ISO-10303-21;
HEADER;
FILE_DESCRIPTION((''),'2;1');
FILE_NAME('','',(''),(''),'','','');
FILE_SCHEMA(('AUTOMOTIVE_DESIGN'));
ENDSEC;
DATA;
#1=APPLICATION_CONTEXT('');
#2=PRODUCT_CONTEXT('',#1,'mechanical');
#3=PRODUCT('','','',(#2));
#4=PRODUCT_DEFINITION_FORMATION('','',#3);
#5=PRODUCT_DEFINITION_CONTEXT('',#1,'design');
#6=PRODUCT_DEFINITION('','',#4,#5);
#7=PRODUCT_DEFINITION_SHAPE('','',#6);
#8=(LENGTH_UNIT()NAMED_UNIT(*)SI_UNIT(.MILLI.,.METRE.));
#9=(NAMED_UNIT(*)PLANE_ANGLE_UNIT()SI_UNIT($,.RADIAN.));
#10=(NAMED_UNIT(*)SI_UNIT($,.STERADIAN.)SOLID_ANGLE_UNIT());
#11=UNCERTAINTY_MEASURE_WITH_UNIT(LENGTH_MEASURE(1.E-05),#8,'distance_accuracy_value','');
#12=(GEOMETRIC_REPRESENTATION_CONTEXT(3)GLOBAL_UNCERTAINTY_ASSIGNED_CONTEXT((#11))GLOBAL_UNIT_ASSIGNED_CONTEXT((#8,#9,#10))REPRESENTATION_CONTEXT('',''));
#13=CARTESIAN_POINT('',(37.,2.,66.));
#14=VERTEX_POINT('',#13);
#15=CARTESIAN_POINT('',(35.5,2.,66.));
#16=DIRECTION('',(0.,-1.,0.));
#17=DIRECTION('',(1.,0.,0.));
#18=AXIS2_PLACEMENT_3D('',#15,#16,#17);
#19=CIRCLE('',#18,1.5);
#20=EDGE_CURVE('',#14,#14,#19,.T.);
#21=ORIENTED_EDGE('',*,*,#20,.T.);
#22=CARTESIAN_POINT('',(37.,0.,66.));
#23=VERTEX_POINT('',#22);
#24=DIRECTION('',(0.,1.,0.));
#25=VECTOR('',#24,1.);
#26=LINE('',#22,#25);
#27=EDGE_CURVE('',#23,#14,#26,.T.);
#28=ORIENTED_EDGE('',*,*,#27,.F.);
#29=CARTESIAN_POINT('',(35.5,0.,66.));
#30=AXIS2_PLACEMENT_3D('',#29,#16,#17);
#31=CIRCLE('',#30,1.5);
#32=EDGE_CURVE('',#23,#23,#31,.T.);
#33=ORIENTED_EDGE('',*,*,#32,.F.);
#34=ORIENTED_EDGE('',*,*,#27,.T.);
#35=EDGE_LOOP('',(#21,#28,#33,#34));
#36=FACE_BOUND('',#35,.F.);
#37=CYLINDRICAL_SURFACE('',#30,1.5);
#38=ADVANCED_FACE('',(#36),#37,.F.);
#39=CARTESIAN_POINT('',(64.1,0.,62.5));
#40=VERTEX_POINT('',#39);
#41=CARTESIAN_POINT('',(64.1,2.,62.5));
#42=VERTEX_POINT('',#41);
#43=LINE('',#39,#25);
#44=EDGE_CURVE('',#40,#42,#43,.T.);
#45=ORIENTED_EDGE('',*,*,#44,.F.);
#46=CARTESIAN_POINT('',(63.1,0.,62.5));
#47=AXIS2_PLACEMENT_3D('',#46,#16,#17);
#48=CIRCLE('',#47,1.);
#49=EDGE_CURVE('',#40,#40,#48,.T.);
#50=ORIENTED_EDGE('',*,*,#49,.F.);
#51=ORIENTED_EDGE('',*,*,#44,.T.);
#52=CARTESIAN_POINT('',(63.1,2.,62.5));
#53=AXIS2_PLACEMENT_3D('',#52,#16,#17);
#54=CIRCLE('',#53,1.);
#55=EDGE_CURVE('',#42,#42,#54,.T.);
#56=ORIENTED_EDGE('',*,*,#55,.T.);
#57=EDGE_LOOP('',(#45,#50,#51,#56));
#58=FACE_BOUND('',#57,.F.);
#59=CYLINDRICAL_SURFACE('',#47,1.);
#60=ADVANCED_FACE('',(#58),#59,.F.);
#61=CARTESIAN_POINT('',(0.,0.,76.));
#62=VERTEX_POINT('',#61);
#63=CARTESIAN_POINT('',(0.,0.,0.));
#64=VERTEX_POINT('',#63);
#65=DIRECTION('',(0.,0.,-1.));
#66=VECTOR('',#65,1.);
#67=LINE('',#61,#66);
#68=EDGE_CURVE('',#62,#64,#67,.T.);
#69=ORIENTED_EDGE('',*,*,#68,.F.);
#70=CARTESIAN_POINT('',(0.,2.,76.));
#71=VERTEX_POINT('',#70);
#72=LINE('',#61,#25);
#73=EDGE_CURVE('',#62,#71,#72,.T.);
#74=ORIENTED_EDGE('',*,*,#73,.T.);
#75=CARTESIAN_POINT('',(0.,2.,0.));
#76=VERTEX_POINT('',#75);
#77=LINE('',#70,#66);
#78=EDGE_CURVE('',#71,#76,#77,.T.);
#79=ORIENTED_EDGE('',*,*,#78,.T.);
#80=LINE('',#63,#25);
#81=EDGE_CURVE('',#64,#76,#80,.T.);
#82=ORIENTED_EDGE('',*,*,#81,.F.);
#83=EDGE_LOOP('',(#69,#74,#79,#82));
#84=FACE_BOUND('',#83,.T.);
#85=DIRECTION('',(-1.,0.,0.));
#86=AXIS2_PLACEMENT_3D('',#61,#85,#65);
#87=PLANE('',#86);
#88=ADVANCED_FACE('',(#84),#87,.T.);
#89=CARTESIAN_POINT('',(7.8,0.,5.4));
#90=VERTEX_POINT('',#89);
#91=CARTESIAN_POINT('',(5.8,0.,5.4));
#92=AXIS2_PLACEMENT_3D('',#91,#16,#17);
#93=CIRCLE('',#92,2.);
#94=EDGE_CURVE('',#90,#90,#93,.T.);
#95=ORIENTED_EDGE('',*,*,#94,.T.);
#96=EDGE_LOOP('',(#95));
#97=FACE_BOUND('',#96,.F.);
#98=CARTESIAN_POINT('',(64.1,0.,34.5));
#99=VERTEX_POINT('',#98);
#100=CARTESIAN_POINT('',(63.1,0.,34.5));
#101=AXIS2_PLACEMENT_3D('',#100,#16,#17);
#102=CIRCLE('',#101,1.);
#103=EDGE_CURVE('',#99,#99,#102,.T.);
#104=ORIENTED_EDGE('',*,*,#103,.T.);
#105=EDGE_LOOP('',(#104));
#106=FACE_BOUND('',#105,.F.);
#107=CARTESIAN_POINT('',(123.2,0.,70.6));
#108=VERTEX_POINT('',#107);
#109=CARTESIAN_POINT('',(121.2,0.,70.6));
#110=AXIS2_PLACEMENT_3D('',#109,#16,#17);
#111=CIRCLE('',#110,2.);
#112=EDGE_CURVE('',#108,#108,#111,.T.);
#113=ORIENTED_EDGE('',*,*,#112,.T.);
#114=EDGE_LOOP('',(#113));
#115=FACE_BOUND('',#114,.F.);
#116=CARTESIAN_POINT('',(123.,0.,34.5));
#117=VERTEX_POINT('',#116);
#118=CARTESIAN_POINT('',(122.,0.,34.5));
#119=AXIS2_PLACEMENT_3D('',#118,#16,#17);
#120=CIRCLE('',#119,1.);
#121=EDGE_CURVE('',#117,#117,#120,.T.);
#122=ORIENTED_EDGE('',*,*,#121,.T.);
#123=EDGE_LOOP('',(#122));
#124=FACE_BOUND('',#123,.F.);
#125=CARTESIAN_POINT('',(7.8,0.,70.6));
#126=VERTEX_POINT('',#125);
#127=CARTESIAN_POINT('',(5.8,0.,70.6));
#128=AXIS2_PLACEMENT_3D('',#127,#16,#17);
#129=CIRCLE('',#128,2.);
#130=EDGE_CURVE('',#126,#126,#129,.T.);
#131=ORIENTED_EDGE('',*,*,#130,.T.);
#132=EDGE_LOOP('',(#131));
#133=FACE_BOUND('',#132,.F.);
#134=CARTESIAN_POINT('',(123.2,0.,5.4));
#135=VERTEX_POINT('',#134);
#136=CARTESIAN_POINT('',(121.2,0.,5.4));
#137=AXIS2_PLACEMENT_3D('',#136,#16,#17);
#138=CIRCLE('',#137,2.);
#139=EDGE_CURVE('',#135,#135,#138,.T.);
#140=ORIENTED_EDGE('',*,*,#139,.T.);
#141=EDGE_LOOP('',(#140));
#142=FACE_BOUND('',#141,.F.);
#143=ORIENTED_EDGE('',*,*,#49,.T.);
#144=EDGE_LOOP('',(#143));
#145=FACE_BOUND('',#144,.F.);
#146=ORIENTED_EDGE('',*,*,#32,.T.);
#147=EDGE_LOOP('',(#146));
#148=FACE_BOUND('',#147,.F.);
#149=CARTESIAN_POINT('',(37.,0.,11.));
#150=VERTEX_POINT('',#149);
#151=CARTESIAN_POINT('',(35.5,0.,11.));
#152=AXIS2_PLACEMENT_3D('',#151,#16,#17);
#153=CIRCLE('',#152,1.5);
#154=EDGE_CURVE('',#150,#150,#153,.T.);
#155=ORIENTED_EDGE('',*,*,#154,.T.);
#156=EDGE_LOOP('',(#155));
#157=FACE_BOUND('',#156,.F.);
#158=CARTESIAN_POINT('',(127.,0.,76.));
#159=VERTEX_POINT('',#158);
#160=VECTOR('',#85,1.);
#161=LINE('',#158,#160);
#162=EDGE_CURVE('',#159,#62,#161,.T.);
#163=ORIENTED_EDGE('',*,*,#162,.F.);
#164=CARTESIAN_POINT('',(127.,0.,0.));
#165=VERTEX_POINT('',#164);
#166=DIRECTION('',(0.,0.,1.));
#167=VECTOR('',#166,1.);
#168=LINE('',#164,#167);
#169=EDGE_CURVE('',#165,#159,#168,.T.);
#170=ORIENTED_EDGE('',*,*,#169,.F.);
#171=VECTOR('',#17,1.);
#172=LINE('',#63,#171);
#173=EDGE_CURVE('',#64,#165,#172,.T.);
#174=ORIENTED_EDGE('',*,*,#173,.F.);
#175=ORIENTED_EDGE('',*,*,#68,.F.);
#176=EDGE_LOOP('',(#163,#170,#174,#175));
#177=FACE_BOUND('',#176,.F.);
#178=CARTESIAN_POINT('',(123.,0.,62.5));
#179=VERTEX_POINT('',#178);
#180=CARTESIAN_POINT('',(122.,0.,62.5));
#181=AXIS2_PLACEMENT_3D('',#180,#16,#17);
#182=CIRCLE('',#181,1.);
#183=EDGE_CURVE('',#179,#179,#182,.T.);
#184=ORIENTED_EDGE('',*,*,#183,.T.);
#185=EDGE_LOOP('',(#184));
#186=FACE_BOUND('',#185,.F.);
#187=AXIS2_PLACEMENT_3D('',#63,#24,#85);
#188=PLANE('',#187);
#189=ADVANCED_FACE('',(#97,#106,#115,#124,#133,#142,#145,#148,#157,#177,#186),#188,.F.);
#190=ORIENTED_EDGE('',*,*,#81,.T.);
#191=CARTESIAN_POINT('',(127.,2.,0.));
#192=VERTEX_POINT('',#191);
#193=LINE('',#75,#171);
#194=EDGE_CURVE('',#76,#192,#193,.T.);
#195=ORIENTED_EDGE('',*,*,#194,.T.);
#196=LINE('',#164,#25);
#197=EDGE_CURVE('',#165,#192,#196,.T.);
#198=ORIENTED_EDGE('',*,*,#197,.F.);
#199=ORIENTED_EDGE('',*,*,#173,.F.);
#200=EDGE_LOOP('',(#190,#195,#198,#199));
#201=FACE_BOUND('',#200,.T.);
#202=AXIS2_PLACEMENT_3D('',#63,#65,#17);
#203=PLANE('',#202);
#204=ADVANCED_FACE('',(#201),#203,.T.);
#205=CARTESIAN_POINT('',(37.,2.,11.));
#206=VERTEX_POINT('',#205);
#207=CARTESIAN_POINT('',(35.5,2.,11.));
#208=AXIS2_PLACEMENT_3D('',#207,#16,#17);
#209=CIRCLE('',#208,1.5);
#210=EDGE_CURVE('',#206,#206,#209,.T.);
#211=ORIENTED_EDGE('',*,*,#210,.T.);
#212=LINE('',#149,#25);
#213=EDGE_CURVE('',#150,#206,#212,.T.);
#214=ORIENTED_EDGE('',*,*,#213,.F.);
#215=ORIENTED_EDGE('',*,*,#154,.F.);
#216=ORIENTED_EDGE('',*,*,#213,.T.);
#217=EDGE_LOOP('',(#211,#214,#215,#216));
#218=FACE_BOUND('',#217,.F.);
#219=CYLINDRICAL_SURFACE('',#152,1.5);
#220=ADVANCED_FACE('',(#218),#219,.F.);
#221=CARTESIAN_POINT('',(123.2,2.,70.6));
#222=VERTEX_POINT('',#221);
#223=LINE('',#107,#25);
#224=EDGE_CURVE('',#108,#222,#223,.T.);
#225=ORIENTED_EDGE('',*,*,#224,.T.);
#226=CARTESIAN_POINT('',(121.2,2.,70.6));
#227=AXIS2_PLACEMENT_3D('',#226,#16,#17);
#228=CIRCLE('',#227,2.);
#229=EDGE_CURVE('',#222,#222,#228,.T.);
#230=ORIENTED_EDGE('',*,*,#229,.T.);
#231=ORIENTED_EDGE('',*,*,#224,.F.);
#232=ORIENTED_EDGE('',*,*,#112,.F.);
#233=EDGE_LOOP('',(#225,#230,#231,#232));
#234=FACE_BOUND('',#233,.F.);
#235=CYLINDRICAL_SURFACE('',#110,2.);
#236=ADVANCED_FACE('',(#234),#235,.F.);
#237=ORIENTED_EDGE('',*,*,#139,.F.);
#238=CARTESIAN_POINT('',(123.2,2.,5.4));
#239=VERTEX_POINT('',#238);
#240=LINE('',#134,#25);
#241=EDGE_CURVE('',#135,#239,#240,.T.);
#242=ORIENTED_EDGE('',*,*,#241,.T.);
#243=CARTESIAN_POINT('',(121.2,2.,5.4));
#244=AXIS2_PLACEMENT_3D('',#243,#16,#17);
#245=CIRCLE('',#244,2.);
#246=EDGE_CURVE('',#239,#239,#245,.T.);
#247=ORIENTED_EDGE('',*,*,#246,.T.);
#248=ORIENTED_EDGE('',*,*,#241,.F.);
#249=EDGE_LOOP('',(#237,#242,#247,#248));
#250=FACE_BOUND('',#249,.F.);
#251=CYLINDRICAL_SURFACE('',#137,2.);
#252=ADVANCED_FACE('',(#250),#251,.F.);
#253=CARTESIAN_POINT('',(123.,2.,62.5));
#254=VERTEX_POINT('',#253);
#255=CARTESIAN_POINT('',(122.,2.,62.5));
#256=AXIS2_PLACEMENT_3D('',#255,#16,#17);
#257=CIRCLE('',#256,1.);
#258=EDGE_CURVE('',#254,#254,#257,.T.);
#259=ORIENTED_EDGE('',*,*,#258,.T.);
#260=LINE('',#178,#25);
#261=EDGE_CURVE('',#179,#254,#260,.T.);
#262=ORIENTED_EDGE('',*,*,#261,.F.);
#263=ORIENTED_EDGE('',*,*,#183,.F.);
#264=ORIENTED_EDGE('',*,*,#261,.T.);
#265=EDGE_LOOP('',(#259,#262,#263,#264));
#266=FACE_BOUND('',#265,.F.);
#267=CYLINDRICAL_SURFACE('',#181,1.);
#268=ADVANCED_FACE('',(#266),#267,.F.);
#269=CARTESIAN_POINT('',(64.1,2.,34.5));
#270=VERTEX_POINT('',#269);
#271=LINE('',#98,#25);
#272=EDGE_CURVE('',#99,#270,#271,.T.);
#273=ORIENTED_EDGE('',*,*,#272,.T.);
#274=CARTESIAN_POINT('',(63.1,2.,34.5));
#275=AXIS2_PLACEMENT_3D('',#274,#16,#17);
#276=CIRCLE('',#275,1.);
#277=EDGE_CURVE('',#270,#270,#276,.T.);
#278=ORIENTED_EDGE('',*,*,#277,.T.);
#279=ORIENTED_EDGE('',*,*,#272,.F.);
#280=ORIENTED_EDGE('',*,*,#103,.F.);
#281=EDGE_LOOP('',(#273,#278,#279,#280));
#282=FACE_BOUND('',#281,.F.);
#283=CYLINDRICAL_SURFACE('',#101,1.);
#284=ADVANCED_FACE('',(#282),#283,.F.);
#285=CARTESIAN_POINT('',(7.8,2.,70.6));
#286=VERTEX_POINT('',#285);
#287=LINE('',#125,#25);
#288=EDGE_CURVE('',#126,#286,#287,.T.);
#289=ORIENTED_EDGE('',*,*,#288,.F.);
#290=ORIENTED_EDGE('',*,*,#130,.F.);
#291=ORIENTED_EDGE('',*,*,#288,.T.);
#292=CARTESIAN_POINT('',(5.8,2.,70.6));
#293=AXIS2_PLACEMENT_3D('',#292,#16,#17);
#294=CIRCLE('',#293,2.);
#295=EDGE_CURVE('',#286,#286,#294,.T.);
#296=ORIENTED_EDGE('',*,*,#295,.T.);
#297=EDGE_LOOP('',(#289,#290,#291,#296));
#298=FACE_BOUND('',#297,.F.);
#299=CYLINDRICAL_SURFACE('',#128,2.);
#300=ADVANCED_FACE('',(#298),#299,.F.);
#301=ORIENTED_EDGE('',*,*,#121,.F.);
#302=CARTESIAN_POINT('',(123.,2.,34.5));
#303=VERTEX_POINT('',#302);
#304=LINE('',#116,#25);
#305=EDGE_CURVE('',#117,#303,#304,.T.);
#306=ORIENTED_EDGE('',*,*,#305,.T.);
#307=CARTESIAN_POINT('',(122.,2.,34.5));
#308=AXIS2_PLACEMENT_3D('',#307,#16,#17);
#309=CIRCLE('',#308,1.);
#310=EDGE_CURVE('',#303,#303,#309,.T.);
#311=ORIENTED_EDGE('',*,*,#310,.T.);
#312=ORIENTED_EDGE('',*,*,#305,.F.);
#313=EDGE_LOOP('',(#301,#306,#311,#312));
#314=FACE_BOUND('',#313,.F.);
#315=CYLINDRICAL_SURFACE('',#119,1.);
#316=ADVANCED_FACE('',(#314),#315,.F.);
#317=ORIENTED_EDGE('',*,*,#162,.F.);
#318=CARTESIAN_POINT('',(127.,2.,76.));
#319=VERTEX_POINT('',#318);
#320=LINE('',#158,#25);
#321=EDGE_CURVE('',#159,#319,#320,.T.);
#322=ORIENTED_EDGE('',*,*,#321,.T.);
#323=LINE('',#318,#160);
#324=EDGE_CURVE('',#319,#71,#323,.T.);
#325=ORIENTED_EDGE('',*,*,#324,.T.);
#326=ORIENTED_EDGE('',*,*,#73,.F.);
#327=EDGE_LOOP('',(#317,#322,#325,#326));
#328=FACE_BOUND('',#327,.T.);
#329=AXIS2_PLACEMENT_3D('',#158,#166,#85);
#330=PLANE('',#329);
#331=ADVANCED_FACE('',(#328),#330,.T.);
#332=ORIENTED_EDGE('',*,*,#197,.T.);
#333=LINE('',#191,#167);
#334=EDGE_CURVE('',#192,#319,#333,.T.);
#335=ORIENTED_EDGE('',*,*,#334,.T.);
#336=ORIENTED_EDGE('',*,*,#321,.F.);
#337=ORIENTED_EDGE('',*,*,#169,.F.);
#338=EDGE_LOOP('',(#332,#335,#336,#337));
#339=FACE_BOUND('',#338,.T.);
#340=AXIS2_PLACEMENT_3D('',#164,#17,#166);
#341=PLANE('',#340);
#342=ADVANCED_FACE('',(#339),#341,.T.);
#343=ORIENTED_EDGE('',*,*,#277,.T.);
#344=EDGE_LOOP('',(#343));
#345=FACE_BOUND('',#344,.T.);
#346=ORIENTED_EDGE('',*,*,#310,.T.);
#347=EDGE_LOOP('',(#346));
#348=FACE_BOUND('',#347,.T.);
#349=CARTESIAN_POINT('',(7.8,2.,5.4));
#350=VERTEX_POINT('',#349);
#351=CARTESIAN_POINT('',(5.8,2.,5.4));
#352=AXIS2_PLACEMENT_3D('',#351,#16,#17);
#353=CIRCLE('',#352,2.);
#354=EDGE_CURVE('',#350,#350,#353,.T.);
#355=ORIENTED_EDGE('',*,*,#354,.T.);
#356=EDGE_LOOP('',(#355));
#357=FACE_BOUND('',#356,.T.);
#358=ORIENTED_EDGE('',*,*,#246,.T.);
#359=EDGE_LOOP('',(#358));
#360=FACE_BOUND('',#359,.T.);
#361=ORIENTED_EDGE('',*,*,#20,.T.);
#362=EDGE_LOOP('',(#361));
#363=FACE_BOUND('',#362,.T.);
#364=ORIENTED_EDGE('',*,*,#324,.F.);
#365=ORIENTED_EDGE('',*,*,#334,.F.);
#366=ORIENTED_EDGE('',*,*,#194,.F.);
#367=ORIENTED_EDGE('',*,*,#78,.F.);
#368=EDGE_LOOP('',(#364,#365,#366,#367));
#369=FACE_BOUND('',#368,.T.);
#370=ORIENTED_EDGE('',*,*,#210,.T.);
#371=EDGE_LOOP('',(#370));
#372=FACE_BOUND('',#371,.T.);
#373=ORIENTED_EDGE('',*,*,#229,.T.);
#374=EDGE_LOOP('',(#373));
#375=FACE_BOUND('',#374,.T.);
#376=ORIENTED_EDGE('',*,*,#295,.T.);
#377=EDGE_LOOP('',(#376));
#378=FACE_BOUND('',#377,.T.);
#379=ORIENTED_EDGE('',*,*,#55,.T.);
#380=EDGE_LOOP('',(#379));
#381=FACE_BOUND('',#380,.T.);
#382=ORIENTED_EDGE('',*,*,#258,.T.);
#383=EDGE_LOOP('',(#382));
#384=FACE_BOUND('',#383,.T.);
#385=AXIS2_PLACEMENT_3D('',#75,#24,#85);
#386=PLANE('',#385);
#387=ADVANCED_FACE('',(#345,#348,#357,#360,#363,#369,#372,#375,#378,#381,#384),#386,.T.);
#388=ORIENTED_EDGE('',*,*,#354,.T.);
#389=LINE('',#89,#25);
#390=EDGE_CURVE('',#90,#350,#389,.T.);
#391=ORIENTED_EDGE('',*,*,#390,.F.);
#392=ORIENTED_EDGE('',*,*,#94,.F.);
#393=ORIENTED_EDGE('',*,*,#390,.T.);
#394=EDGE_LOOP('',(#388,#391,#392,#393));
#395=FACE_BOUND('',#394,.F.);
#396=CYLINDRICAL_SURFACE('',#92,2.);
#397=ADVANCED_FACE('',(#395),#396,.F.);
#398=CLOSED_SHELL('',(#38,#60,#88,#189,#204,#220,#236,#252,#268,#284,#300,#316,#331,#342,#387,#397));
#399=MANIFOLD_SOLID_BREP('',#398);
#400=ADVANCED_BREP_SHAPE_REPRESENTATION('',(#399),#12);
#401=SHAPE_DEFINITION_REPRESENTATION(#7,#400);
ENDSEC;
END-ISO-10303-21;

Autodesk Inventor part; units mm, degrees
ref_plane "YZ Plane" through (0, 0, 0) normal (1, 0, 0) x (0, 1, 0)
ref_plane "XZ Plane" through (0, 0, 0) normal (0, 1, 0) x (-1, 0, 0)
ref_plane "XY Plane" through (0, 0, 0) normal (0, 0, 1) x (1, 0, 0)
sketch "Sketch1" plane through (0, 0, 0) normal (0, 1, 0) x (-1, 0, 0)
  line L0 (0, 0) -> (-127, 0)
  line L1 (-127, 0) -> (-127, 76)
  line L2 (-127, 76) -> (0, 76)
  line L3 (0, 76) -> (0, 0)
  dimension "d0" = 76
  dimension "d1" = 127
extrude "Extrusion1" add sketch "Sketch1" along normal blind 2
sketch "Sketch2" plane through (0, 0, 0) normal (0, -1, 0) x (1, 0, 0)
  line L0 (0, 0) -> (127, 0) projected
  line L1 (127, 0) -> (127, 76) projected
  line L2 (127, 76) -> (0, 76) projected
  line L3 (0, 76) -> (0, 0) projected
  line L4 (0, 5.4) -> (127, 5.4) construction
  line L5 (0, 38) -> (127, 38) construction
  line L6 (63.5, 76) -> (63.5, 0) construction
  line L7 (121.2, 76) -> (121.2, 0) construction
  line L8 (0, 70.6) -> (127, 70.6) construction
  line L9 (5.8, 76) -> (5.8, 0) construction
  circle A0 centre (121.2, 70.6) radius 2
  circle A1 centre (121.2, 5.4) radius 2
  circle A2 centre (5.8, 70.6) radius 2
  circle A3 centre (5.8, 5.4) radius 2
  dimension "d5" = 32.6
  dimension "d6" = 57.7
  dimension "d7" = 4
extrude "Extrusion2" cut sketch "Sketch2" against normal through all contours A0 | A1 | A2 | A3
sketch "Sketch3" plane through (0, 0, 0) normal (0, -1, 0) x (1, 0, 0)
  line L0 (0, 0) -> (127, 0) projected
  line L1 (0, 76) -> (0, 0) projected
  line L2 (10, 93) -> (61, 93)
  line L3 (61, 93) -> (61, 0)
  line L4 (61, 0) -> (10, 0)
  line L5 (10, 0) -> (10, 93)
  line L6 (61, 32) -> (124, 32)
  line L7 (124, 32) -> (124, 67)
  line L8 (124, 67) -> (61, 67)
  line L9 (61, 67) -> (61, 32)
  line L10 (35.5, 93) -> (35.5, 0) construction
  circle A0 centre (35.5, 11) radius 1.5
  circle A1 centre (35.5, 66) radius 1.5
  line L11 (92.5, 67) -> (92.5, 32) construction
  line L12 (124, 49.5) -> (61, 49.5) construction
  circle A2 centre (122, 34.5) radius 1
  circle A3 centre (122, 62.5) radius 1
  circle A4 centre (63.1, 34.5) radius 1
  circle A5 centre (63.1, 62.5) radius 1
  dimension "d10" = 93
  dimension "d12" = 51
  dimension "d13" = 10
  dimension "d14" = 63
  dimension "d15" = 35
  dimension "d16" = 11
  dimension "d17" = 3
  dimension "d20" = 55
  dimension "d25" = 32
  dimension "d26" = 29.5
  dimension "d27" = 2
  dimension "d28" = 15
  dimension "d31" = 28
  dimension "d34" = 58.9
extrude "Extrusion3" cut sketch "Sketch3" against normal through all contours A0 | A1 | A2 | A3 | A4 | A5
properties part number "base_ps"
